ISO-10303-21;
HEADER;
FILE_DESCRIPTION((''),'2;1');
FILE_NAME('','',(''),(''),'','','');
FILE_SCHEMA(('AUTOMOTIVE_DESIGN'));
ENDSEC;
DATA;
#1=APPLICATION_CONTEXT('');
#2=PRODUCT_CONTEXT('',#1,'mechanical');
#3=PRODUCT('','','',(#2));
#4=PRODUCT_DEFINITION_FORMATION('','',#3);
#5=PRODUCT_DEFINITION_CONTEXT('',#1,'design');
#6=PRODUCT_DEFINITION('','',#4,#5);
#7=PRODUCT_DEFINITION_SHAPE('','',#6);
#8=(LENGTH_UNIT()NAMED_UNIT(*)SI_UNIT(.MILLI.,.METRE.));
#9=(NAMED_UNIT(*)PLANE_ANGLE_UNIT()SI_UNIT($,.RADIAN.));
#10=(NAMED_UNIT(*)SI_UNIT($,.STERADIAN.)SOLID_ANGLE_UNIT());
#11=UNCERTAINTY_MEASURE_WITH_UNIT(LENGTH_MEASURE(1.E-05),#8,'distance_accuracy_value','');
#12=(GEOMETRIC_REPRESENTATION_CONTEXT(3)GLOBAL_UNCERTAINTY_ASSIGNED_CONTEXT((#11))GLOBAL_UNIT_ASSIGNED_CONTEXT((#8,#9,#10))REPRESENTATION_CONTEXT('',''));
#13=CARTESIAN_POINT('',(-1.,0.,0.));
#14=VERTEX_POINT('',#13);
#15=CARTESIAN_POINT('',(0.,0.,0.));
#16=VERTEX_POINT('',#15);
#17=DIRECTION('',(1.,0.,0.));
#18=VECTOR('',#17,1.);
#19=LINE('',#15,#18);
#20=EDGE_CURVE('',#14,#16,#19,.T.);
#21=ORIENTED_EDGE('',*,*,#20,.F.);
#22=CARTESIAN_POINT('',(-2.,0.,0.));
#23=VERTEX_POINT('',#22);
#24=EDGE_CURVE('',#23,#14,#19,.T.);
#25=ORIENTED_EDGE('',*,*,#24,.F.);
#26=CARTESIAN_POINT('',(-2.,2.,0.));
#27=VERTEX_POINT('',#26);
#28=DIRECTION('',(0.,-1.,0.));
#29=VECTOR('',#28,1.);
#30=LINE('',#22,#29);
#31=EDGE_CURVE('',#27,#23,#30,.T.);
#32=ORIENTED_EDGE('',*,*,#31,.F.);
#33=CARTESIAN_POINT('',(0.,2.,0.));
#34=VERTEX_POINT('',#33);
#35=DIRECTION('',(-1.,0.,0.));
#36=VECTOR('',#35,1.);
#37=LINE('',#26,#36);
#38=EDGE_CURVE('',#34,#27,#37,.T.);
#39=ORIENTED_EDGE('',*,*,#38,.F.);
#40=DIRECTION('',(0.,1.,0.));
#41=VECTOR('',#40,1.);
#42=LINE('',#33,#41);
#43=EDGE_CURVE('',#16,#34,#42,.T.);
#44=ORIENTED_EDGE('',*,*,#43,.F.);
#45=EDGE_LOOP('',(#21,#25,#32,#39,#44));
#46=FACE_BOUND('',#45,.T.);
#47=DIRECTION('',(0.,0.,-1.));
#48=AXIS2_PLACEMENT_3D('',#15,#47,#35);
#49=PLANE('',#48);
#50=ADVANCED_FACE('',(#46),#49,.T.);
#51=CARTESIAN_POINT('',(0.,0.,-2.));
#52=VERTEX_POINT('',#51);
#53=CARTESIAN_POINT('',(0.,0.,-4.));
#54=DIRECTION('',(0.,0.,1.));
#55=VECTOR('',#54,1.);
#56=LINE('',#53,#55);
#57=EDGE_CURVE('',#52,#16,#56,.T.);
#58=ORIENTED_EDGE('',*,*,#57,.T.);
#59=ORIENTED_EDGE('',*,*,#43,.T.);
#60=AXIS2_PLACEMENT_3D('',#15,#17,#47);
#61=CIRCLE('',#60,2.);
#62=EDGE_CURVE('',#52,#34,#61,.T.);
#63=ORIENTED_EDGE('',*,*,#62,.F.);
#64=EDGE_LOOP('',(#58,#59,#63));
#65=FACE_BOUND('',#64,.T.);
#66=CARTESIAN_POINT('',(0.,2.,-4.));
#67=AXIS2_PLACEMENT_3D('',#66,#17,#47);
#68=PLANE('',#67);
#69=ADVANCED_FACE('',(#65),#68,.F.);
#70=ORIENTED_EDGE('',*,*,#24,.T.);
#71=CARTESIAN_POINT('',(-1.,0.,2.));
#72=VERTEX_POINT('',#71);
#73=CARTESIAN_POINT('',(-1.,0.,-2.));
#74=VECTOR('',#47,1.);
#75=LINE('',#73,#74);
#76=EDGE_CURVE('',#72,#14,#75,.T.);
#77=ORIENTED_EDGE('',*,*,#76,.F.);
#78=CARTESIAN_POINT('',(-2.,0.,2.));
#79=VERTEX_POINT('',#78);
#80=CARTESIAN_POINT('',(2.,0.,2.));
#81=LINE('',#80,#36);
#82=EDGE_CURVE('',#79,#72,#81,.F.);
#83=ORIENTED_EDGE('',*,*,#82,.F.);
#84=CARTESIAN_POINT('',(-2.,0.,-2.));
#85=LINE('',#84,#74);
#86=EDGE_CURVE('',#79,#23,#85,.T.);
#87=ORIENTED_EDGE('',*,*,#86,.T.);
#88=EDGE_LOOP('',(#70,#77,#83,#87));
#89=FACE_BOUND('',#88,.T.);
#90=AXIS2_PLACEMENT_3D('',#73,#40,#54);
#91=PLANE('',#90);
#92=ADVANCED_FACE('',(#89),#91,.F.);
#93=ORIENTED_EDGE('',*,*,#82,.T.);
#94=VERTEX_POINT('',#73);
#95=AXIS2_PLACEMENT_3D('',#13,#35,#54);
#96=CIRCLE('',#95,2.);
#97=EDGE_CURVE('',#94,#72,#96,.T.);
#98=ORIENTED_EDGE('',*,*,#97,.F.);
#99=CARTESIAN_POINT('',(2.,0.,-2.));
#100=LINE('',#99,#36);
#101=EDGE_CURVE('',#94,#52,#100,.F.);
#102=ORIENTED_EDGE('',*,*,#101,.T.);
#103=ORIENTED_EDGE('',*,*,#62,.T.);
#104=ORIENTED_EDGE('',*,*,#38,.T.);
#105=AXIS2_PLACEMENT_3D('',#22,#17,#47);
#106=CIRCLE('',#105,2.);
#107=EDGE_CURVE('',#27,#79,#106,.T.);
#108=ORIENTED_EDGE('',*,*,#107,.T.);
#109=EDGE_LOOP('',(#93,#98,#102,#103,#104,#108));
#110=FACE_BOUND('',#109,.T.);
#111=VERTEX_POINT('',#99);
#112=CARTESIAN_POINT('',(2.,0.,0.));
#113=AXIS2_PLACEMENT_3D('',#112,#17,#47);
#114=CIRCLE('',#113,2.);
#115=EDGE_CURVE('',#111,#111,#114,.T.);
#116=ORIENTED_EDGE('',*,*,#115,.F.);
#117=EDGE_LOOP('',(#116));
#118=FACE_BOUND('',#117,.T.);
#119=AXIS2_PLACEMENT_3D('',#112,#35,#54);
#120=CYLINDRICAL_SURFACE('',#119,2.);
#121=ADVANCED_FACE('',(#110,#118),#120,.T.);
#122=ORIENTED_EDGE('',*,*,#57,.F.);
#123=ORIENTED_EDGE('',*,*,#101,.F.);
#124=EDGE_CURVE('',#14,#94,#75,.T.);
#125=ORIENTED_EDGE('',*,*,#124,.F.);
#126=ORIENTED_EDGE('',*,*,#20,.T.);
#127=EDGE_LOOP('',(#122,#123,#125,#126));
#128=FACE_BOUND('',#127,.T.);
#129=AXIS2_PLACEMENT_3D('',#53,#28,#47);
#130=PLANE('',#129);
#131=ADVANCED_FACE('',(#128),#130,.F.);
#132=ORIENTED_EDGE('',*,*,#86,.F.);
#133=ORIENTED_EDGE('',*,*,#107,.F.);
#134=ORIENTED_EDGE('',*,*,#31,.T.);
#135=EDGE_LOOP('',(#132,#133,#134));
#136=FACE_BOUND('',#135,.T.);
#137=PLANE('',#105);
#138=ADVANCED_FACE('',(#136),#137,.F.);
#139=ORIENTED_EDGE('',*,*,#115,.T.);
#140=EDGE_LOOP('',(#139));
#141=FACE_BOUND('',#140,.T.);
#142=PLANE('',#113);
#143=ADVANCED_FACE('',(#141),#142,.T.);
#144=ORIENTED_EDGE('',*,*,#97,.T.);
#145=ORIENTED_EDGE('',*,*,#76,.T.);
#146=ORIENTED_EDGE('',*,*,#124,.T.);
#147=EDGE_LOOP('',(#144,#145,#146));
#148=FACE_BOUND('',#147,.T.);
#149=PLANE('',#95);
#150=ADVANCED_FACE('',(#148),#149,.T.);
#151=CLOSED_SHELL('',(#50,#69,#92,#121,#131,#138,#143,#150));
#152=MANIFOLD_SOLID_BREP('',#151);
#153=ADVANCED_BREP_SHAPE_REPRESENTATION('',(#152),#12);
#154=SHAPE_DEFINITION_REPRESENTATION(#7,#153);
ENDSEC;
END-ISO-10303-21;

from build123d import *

# Parameters (mm, degrees)
SKETCH1_R           = 2
BOSS_EXTRUDE1_DEPTH = 2
SKETCH2_W           = 2
SKETCH2_H           = 2
CUT_EXTRUDE1_DEPTH  = 4
SKETCH3_W           = 4.29522536
SKETCH3_H           = 2.132813924
CUT_EXTRUDE2_DEPTH  = 1


with BuildPart() as part:
    # Sketch1 → Boss-Extrude1 (new body, symmetric)
    with BuildSketch(Plane(origin=(0, 0, 0), x_dir=(0, 0, -1), z_dir=(1, 0, 0))):
        Circle(SKETCH1_R)
    extrude(amount=BOSS_EXTRUDE1_DEPTH, both=True)

    # Sketch2 → Cut-Extrude1 (cut)
    with BuildSketch(Plane.XY):
        with Locations((-1, 1)):
            Rectangle(SKETCH2_W, SKETCH2_H)
    extrude(amount=-CUT_EXTRUDE1_DEPTH, mode=Mode.SUBTRACT)

    # Sketch3 → Cut-Extrude2 (cut)
    with BuildSketch(Plane.ZY.offset(2)):
        with Locations((0.14761268, -1.066406962)):
            Rectangle(SKETCH3_W, SKETCH3_H)
    extrude(amount=-CUT_EXTRUDE2_DEPTH, mode=Mode.SUBTRACT)


solid = part.part
